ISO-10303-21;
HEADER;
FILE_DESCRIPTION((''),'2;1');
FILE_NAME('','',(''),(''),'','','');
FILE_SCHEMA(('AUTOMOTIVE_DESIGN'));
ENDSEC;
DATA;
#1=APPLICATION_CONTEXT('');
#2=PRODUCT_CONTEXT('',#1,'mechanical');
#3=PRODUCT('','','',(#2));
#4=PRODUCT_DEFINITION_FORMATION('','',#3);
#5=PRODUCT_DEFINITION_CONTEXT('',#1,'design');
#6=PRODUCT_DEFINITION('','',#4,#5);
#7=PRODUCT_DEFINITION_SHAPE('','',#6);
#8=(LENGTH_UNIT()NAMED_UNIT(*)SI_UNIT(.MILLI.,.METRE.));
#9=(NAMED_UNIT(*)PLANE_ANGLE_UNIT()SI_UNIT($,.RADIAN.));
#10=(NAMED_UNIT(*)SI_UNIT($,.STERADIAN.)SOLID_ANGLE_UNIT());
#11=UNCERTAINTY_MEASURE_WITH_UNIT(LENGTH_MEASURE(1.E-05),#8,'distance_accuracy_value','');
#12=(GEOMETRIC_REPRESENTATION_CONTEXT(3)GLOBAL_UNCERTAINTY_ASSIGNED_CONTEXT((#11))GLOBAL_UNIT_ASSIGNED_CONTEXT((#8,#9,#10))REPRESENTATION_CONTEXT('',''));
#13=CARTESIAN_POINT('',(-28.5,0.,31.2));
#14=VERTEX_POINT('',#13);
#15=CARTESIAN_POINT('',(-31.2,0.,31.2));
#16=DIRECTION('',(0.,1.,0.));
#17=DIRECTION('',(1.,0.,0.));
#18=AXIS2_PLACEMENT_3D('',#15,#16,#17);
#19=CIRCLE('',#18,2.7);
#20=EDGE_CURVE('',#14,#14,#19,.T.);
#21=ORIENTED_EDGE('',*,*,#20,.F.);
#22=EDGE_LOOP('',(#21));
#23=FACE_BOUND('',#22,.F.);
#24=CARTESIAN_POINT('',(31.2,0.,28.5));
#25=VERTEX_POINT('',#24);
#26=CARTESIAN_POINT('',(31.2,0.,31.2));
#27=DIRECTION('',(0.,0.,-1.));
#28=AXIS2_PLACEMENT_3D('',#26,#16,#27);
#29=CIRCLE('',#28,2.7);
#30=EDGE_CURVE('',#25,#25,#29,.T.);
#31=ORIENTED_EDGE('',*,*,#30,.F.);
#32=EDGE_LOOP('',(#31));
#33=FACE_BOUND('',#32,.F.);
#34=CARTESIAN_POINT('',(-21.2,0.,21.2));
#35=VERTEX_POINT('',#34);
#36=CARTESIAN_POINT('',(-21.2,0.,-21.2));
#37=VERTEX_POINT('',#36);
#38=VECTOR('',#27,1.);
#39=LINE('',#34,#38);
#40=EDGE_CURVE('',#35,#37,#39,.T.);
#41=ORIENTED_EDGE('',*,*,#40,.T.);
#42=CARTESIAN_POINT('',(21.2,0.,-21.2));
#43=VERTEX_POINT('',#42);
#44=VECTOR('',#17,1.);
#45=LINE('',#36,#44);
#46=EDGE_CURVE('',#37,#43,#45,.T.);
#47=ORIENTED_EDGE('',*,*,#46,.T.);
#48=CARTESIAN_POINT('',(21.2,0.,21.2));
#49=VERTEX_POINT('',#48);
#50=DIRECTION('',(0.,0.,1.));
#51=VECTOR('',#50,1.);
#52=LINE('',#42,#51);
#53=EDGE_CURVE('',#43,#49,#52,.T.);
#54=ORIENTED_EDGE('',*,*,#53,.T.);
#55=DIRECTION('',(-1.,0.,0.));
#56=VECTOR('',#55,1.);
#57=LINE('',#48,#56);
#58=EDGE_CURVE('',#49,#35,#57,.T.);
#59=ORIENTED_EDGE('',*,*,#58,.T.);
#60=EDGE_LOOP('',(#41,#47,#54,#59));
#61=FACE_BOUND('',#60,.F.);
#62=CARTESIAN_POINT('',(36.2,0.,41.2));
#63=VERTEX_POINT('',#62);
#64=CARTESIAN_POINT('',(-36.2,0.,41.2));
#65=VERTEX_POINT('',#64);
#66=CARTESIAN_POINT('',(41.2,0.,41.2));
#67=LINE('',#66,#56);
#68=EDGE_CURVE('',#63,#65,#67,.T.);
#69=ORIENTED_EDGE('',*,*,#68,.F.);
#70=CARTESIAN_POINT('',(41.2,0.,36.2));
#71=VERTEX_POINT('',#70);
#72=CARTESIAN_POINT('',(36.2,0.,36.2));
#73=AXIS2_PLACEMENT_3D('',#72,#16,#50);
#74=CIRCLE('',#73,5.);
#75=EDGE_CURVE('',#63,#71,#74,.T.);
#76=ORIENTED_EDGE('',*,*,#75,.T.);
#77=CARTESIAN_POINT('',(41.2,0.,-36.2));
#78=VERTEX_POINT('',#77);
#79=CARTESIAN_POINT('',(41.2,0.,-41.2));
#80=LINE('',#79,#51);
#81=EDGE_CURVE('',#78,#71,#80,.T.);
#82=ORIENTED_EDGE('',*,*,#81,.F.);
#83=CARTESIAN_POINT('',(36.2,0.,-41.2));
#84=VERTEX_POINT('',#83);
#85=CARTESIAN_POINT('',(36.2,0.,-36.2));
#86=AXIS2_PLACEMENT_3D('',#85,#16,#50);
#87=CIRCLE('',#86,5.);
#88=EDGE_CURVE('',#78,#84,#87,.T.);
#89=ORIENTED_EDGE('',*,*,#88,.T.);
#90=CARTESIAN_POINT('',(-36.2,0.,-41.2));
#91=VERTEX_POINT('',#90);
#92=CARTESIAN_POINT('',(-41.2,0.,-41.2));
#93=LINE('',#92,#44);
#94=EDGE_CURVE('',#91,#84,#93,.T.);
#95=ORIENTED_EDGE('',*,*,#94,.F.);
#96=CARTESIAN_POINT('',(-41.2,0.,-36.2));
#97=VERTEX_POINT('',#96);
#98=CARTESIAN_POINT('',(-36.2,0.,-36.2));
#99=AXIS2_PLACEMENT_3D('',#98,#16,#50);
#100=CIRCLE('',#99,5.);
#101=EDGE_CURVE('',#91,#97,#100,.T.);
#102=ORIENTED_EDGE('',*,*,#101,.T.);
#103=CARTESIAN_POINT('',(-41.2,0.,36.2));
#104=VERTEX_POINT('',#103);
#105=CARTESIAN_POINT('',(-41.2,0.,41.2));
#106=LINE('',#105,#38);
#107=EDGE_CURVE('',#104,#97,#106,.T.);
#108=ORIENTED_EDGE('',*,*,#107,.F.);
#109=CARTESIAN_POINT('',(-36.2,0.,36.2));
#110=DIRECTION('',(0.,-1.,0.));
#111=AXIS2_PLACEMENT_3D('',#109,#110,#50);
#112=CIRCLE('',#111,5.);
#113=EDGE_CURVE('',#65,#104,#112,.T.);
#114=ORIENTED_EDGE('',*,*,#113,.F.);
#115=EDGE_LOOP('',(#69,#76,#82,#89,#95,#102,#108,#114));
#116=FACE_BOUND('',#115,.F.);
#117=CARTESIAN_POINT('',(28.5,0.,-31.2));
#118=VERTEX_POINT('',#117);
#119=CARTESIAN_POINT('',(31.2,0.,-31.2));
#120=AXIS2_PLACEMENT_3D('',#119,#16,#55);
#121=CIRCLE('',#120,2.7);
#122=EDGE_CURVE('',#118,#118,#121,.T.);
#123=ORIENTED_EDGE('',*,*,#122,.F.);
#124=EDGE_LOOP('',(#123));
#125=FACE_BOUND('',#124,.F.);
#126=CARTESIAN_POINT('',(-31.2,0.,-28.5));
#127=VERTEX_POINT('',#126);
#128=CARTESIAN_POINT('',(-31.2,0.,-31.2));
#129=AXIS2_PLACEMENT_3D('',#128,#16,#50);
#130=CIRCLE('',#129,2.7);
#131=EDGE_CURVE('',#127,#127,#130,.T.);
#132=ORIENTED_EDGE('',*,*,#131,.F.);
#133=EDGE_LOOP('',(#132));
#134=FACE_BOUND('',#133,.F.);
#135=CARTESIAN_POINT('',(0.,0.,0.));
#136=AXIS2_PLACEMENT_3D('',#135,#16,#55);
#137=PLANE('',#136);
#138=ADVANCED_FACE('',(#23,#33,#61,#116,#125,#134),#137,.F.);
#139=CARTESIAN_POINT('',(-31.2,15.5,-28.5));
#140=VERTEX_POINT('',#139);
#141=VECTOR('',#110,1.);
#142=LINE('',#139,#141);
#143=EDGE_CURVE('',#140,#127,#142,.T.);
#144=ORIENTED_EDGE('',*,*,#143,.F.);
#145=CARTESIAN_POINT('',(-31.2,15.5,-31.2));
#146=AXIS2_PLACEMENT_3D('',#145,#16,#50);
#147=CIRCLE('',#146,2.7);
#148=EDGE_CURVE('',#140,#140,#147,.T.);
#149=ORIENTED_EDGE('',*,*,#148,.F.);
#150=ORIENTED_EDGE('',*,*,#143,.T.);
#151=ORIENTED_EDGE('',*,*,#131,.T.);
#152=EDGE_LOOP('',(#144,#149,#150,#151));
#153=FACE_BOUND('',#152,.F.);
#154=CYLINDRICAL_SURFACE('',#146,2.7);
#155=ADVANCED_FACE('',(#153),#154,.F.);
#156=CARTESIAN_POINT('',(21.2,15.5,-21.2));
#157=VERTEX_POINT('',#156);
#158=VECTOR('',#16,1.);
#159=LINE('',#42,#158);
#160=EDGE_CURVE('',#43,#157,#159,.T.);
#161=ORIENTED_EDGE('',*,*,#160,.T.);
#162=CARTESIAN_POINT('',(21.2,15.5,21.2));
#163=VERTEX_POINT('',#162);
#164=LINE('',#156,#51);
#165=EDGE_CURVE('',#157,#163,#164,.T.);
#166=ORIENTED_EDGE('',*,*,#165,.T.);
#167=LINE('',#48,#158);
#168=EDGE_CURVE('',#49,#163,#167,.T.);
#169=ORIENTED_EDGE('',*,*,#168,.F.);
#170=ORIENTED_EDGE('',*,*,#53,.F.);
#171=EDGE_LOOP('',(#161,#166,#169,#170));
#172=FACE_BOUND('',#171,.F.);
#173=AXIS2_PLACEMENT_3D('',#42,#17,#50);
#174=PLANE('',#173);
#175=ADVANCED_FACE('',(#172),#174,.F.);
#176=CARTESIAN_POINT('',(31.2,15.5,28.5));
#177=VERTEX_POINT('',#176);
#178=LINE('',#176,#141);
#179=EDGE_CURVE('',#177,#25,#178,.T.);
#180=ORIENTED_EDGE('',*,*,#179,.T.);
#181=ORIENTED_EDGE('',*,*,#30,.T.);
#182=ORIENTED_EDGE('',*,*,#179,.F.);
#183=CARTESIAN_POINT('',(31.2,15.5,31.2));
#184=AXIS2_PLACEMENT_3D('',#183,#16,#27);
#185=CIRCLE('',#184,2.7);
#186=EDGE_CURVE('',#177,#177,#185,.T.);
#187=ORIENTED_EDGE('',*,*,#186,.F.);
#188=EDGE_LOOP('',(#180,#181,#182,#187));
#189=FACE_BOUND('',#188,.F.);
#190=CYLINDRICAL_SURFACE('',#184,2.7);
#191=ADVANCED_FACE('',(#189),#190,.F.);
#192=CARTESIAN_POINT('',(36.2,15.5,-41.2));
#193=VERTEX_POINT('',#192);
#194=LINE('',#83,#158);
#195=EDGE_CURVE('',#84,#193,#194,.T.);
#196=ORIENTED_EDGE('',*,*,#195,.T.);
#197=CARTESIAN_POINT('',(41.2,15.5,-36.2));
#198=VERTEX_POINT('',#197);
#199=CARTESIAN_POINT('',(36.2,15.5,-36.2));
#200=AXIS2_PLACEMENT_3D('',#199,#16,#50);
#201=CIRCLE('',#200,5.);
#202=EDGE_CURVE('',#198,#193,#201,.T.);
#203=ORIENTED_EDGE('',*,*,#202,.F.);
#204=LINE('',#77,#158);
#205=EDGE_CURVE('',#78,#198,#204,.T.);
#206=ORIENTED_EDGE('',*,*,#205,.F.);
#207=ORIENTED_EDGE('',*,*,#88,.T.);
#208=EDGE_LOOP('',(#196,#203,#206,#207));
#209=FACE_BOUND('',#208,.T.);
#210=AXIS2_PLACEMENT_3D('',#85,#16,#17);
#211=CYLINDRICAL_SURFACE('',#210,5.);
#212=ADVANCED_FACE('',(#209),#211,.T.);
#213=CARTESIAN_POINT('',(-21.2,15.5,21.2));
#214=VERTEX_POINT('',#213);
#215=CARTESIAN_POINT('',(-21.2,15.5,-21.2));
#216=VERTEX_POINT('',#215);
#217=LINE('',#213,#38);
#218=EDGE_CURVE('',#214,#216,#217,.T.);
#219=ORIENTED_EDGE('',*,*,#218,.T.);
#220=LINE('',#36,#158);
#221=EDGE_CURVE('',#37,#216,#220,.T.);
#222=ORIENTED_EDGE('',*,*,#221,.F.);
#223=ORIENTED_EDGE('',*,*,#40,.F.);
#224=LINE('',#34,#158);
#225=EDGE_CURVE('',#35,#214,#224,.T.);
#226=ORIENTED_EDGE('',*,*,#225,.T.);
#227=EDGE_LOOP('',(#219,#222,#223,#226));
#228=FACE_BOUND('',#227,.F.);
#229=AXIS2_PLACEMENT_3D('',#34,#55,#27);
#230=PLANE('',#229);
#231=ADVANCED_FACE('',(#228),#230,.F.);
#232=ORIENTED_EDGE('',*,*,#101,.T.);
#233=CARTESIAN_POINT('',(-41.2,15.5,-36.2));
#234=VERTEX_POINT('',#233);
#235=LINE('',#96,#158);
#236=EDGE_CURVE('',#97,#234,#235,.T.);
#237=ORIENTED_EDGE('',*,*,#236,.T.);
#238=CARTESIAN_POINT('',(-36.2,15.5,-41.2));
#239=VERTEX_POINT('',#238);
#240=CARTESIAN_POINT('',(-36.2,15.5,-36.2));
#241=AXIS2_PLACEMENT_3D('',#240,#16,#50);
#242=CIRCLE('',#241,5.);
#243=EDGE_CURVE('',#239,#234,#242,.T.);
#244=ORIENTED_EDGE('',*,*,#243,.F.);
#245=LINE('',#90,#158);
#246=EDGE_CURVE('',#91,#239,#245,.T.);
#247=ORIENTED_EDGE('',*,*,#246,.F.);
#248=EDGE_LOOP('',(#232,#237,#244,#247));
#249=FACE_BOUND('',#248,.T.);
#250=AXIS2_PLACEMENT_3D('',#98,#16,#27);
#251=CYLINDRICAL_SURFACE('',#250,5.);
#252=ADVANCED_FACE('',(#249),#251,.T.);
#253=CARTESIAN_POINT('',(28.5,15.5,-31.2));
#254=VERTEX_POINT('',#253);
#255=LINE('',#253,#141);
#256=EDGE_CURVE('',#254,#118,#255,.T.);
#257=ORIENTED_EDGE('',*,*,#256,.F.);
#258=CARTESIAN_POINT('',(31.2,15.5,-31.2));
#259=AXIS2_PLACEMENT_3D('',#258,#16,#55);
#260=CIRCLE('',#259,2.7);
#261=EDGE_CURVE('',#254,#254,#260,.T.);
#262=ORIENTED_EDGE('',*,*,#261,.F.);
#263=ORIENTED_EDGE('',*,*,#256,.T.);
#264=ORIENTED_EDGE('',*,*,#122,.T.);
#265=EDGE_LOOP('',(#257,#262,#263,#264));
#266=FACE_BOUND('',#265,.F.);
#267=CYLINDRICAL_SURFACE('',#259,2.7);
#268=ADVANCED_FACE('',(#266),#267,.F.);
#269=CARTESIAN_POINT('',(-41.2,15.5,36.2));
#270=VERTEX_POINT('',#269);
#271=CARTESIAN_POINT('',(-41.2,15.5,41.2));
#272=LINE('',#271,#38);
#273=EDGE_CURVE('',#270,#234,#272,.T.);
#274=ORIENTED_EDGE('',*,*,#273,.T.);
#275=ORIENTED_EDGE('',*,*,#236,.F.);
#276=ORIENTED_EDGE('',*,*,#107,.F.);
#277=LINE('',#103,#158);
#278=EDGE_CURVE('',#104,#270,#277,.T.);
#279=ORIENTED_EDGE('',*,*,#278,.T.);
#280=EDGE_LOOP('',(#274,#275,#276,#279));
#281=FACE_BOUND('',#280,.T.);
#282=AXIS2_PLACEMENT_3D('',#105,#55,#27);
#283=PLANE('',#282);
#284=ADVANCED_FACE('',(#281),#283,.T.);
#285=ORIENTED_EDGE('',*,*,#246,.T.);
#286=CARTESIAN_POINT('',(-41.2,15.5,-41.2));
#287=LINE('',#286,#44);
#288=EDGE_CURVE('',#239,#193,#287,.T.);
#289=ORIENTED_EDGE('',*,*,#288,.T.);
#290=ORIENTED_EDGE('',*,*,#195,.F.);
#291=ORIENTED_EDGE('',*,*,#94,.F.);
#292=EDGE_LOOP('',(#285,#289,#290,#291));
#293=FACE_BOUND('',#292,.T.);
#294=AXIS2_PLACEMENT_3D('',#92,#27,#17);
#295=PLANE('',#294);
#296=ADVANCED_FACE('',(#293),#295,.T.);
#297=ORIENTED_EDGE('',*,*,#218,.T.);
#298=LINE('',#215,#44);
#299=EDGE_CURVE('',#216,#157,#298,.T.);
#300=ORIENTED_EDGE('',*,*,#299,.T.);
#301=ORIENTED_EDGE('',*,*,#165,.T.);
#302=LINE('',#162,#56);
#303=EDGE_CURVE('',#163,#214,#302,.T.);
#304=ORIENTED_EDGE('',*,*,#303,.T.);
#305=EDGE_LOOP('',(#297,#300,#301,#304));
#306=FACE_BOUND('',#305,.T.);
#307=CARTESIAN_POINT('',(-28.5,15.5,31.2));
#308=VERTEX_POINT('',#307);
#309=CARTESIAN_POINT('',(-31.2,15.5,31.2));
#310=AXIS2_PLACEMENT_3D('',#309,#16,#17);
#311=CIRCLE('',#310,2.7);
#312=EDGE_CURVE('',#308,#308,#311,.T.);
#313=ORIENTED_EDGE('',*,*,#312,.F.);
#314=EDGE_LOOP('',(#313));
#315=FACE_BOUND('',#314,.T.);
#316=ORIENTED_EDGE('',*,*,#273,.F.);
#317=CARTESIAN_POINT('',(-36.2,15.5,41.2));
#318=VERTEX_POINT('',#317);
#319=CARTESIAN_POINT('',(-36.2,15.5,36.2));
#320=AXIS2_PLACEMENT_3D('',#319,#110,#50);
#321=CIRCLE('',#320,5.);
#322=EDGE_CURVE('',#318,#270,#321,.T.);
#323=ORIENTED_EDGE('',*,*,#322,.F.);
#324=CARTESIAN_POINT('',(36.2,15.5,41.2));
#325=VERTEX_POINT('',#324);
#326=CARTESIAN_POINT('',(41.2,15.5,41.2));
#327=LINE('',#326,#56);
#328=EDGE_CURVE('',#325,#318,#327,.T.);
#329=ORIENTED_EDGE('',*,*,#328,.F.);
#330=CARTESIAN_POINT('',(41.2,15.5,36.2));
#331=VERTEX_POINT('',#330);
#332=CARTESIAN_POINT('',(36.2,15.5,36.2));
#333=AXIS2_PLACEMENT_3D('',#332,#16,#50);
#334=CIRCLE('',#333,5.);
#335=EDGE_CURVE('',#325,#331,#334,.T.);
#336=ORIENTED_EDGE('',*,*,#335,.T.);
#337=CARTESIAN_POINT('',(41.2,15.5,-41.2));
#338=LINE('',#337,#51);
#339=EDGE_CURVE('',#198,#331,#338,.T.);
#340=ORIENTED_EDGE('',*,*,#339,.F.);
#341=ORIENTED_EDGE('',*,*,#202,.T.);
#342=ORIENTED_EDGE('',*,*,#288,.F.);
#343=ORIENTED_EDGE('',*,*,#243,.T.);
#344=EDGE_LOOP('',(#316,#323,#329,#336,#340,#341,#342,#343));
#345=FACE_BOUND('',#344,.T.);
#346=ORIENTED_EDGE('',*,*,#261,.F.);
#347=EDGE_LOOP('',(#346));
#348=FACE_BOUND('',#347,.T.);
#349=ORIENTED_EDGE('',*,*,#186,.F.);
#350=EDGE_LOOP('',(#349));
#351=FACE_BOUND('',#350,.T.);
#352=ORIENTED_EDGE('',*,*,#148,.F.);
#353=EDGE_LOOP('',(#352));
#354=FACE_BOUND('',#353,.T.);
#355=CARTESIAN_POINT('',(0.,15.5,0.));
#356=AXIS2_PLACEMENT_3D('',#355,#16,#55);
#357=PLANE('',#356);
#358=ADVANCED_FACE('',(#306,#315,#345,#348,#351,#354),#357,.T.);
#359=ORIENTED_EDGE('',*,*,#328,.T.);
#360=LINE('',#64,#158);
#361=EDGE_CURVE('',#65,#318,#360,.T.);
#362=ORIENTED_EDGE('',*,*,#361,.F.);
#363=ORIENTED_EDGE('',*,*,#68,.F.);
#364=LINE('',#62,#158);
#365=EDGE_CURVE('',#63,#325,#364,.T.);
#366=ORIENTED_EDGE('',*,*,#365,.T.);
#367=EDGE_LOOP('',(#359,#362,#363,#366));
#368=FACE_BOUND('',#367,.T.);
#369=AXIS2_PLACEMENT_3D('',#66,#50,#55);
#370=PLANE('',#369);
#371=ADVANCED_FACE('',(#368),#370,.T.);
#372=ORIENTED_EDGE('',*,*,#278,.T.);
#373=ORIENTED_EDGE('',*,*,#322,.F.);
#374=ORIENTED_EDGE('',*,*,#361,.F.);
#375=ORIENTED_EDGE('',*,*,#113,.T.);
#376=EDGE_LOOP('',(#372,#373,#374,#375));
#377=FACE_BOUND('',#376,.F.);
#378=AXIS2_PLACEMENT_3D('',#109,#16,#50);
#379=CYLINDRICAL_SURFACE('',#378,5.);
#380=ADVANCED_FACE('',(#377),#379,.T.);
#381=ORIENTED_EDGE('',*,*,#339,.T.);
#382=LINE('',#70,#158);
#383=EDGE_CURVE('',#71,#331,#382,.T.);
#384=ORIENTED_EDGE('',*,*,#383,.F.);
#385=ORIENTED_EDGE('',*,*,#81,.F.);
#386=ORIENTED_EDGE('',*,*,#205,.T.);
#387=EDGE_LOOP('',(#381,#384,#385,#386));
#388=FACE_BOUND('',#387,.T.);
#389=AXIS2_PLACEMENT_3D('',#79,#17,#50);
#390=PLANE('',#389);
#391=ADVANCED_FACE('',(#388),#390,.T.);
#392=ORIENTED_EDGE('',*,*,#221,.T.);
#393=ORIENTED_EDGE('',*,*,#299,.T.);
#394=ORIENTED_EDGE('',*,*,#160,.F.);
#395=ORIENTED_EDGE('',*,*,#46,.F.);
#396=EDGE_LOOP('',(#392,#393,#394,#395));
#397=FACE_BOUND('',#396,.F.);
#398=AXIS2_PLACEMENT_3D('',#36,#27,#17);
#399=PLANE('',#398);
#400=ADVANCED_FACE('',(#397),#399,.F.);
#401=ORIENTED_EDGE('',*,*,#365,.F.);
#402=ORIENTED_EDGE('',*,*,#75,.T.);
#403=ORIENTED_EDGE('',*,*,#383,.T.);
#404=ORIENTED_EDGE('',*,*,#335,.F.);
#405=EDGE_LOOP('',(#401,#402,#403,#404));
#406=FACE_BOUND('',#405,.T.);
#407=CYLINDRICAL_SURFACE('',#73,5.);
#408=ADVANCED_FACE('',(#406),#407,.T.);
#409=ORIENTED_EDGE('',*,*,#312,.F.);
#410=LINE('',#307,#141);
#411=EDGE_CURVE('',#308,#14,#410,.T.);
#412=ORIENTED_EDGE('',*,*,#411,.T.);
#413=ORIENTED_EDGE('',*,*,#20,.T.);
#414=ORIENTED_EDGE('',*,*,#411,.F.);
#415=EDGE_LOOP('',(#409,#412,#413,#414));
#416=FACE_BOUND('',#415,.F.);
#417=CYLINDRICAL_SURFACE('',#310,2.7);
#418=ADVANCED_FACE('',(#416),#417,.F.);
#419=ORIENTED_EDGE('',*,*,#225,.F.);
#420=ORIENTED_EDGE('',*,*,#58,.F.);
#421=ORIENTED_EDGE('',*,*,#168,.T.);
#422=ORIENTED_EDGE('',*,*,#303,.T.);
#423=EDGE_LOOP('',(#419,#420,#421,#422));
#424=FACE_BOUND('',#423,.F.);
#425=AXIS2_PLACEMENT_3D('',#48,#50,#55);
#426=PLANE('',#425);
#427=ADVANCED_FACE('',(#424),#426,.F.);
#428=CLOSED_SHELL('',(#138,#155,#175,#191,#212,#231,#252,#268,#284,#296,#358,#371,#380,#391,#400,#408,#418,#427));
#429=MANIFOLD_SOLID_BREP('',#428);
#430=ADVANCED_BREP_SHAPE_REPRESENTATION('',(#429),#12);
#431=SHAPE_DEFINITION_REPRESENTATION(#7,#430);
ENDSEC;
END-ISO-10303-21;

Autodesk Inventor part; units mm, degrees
ref_plane "YZ Plane" through (0, 0, 0) normal (1, 0, 0) x (0, 1, 0)
ref_plane "XZ Plane" through (0, 0, 0) normal (0, 1, 0) x (-1, 0, 0)
ref_plane "XY Plane" through (0, 0, 0) normal (0, 0, 1) x (1, 0, 0)
sketch "Boceto1" plane through (0, 0, 0) normal (0, 1, 0) x (-1, 0, 0)
  line L0 (-41.2, 41.2) -> (41.2, 41.2)
  line L1 (41.2, 41.2) -> (41.2, -41.2)
  line L2 (41.2, -41.2) -> (-41.2, -41.2)
  line L3 (-41.2, -41.2) -> (-41.2, 41.2)
  line L4 (-41.2, 41.2) -> (41.2, -41.2) construction
  line L5 (41.2, 41.2) -> (-41.2, -41.2) construction
  line L6 (-21.2, 21.2) -> (21.2, 21.2)
  line L7 (21.2, 21.2) -> (21.2, -21.2)
  line L8 (21.2, -21.2) -> (-21.2, -21.2)
  line L9 (-21.2, -21.2) -> (-21.2, 21.2)
  line L10 (-21.2, 21.2) -> (21.2, -21.2) construction
  line L11 (21.2, 21.2) -> (-21.2, -21.2) construction
  point P0 (0, 0)
  dimension "d0" = 82.4
  dimension "d1" = 82.4
  dimension "d2" = 42.4
  dimension "d3" = 42.4
extrude "Extrusión1" add sketch "Boceto1" along normal blind 15.5
sketch "Boceto2" plane through (0, 15.5, 0) normal (0, 1, 0) x (1, 0, 0)
  circle A0 centre (-31.2, -31.2) radius 2.7
  line L0 (-41.2, 41.2) -> (-41.2, -41.2) projected
  line L1 (-41.2, -41.2) -> (41.2, -41.2) projected
  point P0 (0, 0)
  dimension "d6" = 10
  dimension "d7" = 10
  dimension "d8" = 5.4
extrude "Extrusión2" cut sketch "Boceto2" against normal through all
fillet "Empalme1" radius 5 1 edges at (-41.2, 7.75, 41.2)
pattern_circular "Patrón circular1" count 4 over 360 about axis through (0, -10, 0) along (0, 1, 0) of "Extrusión2", "Empalme1"
properties part number "ExtraBase"
